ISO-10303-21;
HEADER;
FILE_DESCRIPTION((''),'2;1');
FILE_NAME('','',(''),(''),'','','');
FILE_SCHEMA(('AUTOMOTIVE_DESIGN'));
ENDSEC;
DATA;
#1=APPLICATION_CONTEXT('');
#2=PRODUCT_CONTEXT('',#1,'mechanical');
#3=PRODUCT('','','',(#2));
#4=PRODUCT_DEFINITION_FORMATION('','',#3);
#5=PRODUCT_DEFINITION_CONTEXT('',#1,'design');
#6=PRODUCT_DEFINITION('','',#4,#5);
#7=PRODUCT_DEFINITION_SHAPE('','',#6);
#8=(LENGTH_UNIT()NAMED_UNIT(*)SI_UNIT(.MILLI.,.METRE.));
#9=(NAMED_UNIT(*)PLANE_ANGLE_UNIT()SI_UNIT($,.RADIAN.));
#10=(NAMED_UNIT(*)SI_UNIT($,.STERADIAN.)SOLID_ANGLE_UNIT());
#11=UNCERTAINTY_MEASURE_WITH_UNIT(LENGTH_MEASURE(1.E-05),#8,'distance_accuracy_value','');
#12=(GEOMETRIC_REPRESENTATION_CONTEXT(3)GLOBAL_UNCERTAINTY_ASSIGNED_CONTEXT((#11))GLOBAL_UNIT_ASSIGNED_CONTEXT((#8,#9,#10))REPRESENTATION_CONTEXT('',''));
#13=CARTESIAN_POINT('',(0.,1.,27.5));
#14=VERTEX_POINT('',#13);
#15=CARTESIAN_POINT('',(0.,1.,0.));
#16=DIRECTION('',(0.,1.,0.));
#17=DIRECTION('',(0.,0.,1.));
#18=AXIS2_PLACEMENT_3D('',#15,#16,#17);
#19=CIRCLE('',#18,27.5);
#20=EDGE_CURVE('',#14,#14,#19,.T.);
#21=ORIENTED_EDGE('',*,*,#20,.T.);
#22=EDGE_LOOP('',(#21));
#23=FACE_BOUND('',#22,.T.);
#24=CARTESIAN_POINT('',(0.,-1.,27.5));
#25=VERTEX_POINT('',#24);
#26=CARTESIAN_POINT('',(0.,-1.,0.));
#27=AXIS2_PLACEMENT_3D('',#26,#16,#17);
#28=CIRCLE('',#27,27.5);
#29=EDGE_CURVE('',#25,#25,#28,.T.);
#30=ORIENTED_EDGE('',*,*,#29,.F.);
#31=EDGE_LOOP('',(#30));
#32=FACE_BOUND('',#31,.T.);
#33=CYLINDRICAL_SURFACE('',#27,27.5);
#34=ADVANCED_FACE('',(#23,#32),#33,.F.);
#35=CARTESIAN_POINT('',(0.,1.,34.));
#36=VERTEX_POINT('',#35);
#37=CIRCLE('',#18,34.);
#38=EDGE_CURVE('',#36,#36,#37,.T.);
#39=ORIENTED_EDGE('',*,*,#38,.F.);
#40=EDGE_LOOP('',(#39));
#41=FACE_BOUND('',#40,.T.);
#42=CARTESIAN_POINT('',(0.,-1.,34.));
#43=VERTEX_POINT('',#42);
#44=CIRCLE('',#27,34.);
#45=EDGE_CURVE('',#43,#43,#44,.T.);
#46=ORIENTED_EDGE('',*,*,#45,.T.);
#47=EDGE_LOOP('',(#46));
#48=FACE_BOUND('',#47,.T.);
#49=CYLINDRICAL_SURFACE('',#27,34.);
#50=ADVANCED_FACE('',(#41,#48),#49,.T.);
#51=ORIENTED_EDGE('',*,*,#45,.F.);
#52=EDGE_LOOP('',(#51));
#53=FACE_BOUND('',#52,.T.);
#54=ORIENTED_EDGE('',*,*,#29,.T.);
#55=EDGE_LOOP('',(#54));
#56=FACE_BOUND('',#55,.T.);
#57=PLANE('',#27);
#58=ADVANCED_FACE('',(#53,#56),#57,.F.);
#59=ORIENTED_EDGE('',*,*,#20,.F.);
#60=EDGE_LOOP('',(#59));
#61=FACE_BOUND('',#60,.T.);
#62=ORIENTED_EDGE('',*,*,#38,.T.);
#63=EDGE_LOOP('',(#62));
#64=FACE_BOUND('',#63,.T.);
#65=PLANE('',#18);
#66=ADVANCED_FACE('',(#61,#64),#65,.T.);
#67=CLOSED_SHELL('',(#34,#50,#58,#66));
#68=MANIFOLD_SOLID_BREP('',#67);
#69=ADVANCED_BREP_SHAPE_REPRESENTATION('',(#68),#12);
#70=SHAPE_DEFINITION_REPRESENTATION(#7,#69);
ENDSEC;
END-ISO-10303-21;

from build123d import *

# Parameters (mm, degrees)
SKETCH3_R                = 34
SKETCH3_R_2              = 27.5
BOSS_EXTRUDE1_DEPTH      = 1
BOSS_EXTRUDE1_DEPTH_BACK = 1


with BuildPart() as part:
    # Sketch3 → Boss-Extrude1 (new body, two sides)
    with BuildSketch(Plane(origin=(0, 0, 0), x_dir=(1, 0, 0), z_dir=(0, 1, 0))) as boss_extrude1_sk:
        Circle(SKETCH3_R)
        Circle(SKETCH3_R_2, mode=Mode.SUBTRACT)
    extrude(amount=BOSS_EXTRUDE1_DEPTH)
    extrude(boss_extrude1_sk.sketch, amount=-BOSS_EXTRUDE1_DEPTH_BACK)


solid = part.part
